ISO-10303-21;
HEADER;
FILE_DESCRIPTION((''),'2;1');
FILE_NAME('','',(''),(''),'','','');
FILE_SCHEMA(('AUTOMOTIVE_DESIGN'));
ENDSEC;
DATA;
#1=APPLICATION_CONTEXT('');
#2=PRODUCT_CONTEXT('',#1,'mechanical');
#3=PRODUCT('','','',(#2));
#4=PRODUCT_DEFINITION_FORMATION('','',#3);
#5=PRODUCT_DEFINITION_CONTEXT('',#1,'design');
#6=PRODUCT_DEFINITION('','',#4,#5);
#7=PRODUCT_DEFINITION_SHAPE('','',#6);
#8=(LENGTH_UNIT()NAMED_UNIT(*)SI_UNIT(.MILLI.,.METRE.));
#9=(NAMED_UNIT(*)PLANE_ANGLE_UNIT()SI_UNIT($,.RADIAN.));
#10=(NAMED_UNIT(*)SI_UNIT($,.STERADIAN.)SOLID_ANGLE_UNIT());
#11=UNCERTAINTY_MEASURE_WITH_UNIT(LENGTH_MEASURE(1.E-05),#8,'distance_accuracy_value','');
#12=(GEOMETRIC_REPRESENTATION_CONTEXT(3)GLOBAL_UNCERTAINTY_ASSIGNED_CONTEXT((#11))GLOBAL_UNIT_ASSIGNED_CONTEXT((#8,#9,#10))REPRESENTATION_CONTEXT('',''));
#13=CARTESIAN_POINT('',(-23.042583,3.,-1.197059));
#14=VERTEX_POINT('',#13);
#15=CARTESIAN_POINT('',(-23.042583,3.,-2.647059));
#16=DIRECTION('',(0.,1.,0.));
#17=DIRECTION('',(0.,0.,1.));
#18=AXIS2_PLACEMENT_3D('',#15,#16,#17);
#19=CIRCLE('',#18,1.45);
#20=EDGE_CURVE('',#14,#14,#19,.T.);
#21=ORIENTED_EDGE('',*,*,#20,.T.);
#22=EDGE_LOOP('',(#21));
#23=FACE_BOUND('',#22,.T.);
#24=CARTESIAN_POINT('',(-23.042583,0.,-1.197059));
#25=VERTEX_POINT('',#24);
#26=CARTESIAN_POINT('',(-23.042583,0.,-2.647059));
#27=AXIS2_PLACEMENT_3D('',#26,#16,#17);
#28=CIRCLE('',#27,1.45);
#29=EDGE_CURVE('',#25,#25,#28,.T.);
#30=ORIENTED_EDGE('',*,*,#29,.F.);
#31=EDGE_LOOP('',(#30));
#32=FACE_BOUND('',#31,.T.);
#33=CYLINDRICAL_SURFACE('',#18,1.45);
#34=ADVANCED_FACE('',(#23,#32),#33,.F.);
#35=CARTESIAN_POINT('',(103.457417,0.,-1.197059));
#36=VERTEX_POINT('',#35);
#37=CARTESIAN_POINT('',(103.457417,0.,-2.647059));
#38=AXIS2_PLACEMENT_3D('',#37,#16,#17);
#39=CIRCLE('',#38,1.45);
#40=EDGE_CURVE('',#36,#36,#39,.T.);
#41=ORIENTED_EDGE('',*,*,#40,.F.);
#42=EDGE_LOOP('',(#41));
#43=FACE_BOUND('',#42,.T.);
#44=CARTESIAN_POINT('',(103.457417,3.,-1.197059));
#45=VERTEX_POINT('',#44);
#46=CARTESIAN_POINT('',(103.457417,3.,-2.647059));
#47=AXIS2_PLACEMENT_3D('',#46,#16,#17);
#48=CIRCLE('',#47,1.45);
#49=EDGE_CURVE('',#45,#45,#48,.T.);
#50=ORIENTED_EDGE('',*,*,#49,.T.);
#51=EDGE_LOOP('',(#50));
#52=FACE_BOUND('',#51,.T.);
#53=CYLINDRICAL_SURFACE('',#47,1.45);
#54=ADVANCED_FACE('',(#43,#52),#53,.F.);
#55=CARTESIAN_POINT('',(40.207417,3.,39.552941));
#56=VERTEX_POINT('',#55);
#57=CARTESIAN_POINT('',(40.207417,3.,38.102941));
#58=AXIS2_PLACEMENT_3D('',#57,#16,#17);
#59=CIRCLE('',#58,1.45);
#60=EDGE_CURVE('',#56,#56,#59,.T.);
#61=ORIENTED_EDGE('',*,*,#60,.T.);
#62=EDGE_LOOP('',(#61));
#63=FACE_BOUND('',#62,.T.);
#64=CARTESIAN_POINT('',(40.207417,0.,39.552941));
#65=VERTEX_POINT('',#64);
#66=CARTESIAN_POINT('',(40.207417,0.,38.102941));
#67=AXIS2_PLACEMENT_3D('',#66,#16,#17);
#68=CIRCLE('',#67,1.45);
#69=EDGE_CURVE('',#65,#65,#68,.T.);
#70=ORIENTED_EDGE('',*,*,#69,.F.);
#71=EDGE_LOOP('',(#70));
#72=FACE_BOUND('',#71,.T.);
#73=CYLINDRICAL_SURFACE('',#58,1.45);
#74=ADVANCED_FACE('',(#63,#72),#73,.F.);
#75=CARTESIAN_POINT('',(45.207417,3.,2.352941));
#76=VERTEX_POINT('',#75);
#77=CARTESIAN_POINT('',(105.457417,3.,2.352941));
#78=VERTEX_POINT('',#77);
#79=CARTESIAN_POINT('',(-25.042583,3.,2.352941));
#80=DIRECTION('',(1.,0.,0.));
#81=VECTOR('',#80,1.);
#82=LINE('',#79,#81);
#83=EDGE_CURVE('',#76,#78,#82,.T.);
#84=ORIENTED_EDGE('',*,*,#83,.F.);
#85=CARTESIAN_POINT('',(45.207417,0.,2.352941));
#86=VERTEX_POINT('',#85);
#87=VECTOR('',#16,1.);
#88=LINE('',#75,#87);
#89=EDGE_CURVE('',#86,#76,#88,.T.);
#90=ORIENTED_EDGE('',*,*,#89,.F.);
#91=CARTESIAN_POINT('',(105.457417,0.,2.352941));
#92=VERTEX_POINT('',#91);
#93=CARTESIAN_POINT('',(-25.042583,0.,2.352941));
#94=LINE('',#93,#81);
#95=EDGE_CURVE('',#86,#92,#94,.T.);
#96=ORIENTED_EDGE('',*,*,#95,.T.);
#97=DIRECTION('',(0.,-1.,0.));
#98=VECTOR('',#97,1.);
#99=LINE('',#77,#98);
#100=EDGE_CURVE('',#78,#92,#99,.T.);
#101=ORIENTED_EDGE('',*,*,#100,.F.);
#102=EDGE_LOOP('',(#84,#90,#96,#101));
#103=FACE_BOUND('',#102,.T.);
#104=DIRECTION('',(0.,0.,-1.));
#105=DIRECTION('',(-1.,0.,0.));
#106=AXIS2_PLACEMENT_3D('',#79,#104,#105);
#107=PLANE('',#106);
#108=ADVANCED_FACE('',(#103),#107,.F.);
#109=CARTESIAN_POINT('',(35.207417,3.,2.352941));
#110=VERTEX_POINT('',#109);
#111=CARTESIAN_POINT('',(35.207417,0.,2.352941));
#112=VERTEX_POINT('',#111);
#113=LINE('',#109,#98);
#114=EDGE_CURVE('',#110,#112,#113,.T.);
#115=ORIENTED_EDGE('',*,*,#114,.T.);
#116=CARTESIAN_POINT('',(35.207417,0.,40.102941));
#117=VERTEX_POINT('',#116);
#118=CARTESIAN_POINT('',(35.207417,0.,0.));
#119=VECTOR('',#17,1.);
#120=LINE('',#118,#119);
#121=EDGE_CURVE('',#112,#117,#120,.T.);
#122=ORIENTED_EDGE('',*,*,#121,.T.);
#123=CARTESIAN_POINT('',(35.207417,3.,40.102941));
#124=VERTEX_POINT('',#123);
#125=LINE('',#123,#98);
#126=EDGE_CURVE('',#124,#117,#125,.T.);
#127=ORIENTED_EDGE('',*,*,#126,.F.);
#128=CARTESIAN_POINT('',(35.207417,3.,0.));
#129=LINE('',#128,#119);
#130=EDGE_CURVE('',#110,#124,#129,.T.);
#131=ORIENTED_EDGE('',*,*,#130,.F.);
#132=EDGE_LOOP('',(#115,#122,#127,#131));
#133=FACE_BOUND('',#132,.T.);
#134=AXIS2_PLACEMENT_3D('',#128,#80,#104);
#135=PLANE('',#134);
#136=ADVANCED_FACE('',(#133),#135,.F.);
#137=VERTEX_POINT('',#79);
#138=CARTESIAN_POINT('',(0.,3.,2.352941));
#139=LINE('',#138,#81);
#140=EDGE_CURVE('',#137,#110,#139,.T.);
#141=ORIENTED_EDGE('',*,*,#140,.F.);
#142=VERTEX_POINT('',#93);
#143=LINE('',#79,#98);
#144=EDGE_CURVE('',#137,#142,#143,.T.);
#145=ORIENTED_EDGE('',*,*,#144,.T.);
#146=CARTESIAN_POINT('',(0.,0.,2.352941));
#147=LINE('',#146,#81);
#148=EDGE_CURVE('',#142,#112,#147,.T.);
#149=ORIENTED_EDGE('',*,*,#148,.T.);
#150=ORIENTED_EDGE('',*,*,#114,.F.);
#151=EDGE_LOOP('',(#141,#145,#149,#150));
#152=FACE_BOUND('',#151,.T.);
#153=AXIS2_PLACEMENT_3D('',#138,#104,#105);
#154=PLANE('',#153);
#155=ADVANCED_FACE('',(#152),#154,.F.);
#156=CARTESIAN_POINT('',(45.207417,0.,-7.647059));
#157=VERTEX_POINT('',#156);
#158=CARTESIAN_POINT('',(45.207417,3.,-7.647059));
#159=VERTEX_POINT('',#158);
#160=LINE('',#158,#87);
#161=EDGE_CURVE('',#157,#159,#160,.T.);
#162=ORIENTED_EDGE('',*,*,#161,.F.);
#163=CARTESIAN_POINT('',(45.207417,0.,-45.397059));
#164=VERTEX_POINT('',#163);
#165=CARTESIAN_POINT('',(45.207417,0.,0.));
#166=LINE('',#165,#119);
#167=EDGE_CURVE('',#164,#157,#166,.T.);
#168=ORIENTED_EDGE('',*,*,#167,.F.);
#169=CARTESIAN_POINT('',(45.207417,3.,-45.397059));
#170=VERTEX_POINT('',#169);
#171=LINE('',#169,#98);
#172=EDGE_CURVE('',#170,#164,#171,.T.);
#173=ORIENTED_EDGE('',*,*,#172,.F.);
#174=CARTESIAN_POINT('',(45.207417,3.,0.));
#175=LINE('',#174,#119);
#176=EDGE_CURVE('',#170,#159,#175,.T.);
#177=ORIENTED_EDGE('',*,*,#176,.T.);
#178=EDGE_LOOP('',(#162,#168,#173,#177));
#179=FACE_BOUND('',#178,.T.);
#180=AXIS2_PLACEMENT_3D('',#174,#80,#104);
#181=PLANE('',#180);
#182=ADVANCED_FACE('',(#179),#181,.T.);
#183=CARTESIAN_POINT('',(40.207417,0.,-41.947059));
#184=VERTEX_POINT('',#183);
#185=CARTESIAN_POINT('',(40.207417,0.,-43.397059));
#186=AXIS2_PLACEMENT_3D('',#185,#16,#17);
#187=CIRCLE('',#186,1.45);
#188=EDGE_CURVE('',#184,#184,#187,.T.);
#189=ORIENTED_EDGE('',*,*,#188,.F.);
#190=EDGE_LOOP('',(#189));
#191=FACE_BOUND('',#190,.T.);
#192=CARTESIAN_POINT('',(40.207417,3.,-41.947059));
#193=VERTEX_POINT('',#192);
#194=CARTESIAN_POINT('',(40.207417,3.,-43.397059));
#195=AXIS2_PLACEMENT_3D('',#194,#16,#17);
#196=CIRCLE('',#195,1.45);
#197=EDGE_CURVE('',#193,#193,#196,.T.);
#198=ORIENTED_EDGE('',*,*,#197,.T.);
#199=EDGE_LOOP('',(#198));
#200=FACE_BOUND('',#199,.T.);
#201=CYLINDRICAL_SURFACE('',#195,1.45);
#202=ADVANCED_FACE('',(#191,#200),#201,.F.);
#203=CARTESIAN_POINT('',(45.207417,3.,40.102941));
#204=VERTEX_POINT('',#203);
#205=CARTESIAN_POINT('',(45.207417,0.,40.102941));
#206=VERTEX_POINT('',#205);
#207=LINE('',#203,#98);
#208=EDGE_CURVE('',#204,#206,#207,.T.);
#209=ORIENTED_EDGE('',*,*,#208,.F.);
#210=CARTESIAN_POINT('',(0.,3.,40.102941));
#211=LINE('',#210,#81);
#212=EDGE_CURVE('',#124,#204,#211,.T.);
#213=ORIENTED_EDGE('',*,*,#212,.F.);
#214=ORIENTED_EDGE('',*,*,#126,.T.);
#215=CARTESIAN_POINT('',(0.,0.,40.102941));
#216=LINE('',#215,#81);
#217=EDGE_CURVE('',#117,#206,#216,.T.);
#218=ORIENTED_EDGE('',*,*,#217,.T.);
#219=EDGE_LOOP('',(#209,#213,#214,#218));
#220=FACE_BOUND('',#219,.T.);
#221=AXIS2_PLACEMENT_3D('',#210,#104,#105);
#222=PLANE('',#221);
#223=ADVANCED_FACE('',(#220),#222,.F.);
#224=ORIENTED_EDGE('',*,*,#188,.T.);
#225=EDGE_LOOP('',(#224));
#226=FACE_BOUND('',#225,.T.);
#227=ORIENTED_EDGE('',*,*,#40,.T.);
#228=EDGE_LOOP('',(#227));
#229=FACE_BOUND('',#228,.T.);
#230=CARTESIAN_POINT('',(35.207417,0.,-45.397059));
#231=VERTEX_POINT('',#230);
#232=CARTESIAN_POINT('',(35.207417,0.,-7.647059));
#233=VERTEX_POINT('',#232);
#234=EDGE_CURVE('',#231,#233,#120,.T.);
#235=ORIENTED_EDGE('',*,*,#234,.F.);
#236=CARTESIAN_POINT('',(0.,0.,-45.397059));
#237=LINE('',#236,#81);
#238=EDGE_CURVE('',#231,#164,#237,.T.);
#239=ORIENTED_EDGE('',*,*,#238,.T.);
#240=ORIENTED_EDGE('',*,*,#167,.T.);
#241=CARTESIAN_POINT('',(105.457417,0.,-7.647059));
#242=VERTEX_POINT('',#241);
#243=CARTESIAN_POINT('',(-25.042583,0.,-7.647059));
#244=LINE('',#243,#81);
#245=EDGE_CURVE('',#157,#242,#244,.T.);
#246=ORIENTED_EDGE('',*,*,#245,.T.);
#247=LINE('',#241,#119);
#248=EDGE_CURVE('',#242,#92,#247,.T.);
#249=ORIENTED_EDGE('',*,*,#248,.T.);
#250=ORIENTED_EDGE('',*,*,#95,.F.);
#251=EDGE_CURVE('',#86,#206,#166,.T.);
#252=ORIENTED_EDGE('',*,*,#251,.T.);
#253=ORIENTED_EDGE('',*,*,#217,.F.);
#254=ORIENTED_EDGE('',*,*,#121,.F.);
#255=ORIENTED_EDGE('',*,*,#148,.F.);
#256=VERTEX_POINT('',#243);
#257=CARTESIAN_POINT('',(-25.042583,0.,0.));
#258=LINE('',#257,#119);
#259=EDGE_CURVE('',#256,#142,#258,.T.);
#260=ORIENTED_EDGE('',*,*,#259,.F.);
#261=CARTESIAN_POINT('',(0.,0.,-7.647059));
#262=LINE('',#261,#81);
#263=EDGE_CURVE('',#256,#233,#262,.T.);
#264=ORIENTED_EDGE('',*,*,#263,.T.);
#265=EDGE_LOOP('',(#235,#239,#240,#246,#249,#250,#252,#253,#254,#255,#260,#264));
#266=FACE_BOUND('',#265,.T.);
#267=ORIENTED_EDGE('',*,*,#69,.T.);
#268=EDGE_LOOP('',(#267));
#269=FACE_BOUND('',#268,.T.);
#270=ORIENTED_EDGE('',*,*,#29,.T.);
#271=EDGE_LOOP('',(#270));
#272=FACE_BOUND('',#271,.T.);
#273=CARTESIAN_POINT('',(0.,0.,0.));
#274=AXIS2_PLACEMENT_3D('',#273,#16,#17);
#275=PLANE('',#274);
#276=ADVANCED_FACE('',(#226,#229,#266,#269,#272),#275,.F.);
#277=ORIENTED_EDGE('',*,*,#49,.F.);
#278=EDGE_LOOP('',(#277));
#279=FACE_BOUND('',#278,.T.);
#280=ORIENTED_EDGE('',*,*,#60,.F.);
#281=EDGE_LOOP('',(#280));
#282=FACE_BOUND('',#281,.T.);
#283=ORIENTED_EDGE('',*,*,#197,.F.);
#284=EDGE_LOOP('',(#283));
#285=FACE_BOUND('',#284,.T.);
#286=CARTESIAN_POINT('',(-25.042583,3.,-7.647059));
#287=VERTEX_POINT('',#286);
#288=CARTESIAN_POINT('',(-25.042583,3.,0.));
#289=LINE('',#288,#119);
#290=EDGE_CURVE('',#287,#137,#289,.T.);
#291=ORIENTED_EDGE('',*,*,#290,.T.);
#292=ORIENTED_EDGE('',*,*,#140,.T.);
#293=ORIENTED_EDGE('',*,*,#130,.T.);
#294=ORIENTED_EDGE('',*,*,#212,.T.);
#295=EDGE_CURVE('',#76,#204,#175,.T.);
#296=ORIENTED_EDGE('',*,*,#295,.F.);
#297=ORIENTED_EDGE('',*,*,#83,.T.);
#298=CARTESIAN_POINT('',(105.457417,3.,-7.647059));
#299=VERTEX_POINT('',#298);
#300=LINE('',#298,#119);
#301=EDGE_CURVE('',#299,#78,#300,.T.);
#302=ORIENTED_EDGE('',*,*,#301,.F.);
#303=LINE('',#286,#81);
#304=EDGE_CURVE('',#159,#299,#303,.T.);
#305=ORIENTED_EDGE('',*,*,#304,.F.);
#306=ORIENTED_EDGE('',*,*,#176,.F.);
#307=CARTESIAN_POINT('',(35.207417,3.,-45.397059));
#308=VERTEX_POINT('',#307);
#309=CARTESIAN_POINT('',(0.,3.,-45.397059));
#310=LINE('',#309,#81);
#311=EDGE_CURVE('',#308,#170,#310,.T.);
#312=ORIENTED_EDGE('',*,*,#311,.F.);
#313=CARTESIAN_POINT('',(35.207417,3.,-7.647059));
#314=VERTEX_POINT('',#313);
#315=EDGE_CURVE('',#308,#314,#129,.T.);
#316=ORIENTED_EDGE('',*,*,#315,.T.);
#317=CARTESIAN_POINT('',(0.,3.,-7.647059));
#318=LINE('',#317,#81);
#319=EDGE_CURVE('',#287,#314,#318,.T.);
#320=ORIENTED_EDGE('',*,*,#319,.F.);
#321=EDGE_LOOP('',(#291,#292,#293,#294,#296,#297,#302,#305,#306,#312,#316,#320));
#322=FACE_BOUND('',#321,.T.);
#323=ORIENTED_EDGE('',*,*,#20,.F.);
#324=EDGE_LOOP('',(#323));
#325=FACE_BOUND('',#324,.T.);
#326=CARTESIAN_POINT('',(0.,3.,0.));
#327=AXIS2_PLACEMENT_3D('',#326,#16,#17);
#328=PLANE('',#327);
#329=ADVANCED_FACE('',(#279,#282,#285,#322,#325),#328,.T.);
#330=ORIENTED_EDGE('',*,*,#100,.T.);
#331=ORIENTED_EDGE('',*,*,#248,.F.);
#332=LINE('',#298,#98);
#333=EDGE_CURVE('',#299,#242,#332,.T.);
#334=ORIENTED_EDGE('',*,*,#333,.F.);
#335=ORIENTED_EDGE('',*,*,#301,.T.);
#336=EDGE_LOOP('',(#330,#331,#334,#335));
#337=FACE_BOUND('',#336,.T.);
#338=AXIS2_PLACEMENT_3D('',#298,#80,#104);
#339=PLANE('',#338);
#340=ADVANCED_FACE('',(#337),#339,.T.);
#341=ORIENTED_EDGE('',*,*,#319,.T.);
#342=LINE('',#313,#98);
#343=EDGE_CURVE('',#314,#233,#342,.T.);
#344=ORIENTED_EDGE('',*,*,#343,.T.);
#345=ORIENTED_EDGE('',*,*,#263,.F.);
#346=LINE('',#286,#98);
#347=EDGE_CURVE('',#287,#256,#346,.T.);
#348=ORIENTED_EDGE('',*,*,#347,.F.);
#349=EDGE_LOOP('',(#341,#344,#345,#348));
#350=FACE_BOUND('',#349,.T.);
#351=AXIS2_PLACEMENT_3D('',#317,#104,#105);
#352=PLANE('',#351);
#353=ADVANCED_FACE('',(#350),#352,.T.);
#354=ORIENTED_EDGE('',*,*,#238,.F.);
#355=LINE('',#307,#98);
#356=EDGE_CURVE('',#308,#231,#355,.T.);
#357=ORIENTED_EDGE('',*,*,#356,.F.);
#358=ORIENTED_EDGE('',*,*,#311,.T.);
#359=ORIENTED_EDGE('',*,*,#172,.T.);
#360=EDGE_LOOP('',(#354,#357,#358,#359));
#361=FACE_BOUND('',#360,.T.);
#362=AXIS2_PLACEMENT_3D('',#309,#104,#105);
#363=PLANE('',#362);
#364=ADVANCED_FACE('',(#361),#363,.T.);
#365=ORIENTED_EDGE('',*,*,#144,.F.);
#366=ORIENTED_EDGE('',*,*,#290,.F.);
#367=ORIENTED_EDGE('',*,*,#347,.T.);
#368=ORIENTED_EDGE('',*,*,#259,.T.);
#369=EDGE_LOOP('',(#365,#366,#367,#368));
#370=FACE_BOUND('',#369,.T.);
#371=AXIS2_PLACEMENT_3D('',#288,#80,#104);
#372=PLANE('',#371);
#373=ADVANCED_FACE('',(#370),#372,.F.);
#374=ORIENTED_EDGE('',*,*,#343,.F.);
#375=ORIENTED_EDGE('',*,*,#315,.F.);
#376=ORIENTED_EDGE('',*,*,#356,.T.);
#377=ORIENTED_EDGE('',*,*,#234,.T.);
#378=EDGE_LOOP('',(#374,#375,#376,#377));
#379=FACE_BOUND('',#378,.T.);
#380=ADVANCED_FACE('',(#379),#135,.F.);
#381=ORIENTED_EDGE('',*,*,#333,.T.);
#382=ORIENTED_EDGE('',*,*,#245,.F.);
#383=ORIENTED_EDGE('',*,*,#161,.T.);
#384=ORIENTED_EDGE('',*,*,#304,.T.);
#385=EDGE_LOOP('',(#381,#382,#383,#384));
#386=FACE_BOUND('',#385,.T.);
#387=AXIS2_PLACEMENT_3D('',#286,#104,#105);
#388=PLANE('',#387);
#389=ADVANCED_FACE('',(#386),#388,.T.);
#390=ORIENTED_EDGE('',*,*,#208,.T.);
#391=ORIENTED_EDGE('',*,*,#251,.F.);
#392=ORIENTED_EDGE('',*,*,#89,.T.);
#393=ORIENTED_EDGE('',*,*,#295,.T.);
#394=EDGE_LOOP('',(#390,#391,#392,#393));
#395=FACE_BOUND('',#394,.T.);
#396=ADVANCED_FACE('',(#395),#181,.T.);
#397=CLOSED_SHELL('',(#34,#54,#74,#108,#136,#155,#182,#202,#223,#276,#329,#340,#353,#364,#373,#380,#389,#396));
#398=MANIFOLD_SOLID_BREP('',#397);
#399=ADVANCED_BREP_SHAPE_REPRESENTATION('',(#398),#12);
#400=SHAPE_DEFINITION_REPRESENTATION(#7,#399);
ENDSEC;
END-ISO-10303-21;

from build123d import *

# Parameters (mm, degrees)
SKETCH1_W                  = 130.5
SKETCH1_H                  = 10
SKETCH1_W_2                = 10
SKETCH1_H_2                = 85.5
BOSS_EXTRUDE1_DEPTH        = 3
M2_5_CLEARANCE_HOLE1_D     = 2.9
M2_5_CLEARANCE_HOLE1_DEPTH = 3
M2_5_CLEARANCE_HOLE1_TIP   = 0.871247898
M2_5_CLEARANCE_HOLE2_D     = 2.9
M2_5_CLEARANCE_HOLE2_DEPTH = 3
M2_5_CLEARANCE_HOLE2_TIP   = 0.871247898
M2_5_CLEARANCE_HOLE3_D     = 2.9
M2_5_CLEARANCE_HOLE3_DEPTH = 3
M2_5_CLEARANCE_HOLE3_TIP   = 0.871247898
M2_5_CLEARANCE_HOLE4_D     = 2.9
M2_5_CLEARANCE_HOLE4_DEPTH = 3
M2_5_CLEARANCE_HOLE4_TIP   = 0.871247898


with BuildPart() as part:
    # Sketch1 → Boss-Extrude1 (new body)
    with BuildSketch(Plane(origin=(0, 0, 0), x_dir=(1, 0, 0), z_dir=(0, 1, 0))):
        with Locations((40.207417437, 2.647058824)):
            Rectangle(SKETCH1_W, SKETCH1_H)
        with Locations((40.207417437, 2.647058824)):
            Rectangle(SKETCH1_W_2, SKETCH1_H_2)
    extrude(amount=BOSS_EXTRUDE1_DEPTH)

    # M2.5 Clearance Hole1
    with Locations(Plane(origin=(0, 3, 0), x_dir=(1, 0, 0), z_dir=(0, 1, 0))):
        with Locations((-23.042582563, 2.647058824)):
            Hole(M2_5_CLEARANCE_HOLE1_D / 2, depth=M2_5_CLEARANCE_HOLE1_DEPTH)
            with Locations((0, 0, -(M2_5_CLEARANCE_HOLE1_DEPTH + M2_5_CLEARANCE_HOLE1_TIP / 2))):  # 118° drill point
                Cone(0, M2_5_CLEARANCE_HOLE1_D / 2, M2_5_CLEARANCE_HOLE1_TIP, mode=Mode.SUBTRACT)

    # M2.5 Clearance Hole2
    with Locations(Plane(origin=(0, 3, 0), x_dir=(1, 0, 0), z_dir=(0, 1, 0))):
        with Locations((40.207417437, 43.397058824)):
            Hole(M2_5_CLEARANCE_HOLE2_D / 2, depth=M2_5_CLEARANCE_HOLE2_DEPTH)
            with Locations((0, 0, -(M2_5_CLEARANCE_HOLE2_DEPTH + M2_5_CLEARANCE_HOLE2_TIP / 2))):  # 118° drill point
                Cone(0, M2_5_CLEARANCE_HOLE2_D / 2, M2_5_CLEARANCE_HOLE2_TIP, mode=Mode.SUBTRACT)

    # M2.5 Clearance Hole3
    with Locations(Plane(origin=(0, 3, 0), x_dir=(1, 0, 0), z_dir=(0, 1, 0))):
        with Locations((103.457417437, 2.647058824)):
            Hole(M2_5_CLEARANCE_HOLE3_D / 2, depth=M2_5_CLEARANCE_HOLE3_DEPTH)
            with Locations((0, 0, -(M2_5_CLEARANCE_HOLE3_DEPTH + M2_5_CLEARANCE_HOLE3_TIP / 2))):  # 118° drill point
                Cone(0, M2_5_CLEARANCE_HOLE3_D / 2, M2_5_CLEARANCE_HOLE3_TIP, mode=Mode.SUBTRACT)

    # M2.5 Clearance Hole4
    with Locations(Plane(origin=(0, 3, 0), x_dir=(1, 0, 0), z_dir=(0, 1, 0))):
        with Locations((40.207417437, -38.102941176)):
            Hole(M2_5_CLEARANCE_HOLE4_D / 2, depth=M2_5_CLEARANCE_HOLE4_DEPTH)
            with Locations((0, 0, -(M2_5_CLEARANCE_HOLE4_DEPTH + M2_5_CLEARANCE_HOLE4_TIP / 2))):  # 118° drill point
                Cone(0, M2_5_CLEARANCE_HOLE4_D / 2, M2_5_CLEARANCE_HOLE4_TIP, mode=Mode.SUBTRACT)


solid = part.part
